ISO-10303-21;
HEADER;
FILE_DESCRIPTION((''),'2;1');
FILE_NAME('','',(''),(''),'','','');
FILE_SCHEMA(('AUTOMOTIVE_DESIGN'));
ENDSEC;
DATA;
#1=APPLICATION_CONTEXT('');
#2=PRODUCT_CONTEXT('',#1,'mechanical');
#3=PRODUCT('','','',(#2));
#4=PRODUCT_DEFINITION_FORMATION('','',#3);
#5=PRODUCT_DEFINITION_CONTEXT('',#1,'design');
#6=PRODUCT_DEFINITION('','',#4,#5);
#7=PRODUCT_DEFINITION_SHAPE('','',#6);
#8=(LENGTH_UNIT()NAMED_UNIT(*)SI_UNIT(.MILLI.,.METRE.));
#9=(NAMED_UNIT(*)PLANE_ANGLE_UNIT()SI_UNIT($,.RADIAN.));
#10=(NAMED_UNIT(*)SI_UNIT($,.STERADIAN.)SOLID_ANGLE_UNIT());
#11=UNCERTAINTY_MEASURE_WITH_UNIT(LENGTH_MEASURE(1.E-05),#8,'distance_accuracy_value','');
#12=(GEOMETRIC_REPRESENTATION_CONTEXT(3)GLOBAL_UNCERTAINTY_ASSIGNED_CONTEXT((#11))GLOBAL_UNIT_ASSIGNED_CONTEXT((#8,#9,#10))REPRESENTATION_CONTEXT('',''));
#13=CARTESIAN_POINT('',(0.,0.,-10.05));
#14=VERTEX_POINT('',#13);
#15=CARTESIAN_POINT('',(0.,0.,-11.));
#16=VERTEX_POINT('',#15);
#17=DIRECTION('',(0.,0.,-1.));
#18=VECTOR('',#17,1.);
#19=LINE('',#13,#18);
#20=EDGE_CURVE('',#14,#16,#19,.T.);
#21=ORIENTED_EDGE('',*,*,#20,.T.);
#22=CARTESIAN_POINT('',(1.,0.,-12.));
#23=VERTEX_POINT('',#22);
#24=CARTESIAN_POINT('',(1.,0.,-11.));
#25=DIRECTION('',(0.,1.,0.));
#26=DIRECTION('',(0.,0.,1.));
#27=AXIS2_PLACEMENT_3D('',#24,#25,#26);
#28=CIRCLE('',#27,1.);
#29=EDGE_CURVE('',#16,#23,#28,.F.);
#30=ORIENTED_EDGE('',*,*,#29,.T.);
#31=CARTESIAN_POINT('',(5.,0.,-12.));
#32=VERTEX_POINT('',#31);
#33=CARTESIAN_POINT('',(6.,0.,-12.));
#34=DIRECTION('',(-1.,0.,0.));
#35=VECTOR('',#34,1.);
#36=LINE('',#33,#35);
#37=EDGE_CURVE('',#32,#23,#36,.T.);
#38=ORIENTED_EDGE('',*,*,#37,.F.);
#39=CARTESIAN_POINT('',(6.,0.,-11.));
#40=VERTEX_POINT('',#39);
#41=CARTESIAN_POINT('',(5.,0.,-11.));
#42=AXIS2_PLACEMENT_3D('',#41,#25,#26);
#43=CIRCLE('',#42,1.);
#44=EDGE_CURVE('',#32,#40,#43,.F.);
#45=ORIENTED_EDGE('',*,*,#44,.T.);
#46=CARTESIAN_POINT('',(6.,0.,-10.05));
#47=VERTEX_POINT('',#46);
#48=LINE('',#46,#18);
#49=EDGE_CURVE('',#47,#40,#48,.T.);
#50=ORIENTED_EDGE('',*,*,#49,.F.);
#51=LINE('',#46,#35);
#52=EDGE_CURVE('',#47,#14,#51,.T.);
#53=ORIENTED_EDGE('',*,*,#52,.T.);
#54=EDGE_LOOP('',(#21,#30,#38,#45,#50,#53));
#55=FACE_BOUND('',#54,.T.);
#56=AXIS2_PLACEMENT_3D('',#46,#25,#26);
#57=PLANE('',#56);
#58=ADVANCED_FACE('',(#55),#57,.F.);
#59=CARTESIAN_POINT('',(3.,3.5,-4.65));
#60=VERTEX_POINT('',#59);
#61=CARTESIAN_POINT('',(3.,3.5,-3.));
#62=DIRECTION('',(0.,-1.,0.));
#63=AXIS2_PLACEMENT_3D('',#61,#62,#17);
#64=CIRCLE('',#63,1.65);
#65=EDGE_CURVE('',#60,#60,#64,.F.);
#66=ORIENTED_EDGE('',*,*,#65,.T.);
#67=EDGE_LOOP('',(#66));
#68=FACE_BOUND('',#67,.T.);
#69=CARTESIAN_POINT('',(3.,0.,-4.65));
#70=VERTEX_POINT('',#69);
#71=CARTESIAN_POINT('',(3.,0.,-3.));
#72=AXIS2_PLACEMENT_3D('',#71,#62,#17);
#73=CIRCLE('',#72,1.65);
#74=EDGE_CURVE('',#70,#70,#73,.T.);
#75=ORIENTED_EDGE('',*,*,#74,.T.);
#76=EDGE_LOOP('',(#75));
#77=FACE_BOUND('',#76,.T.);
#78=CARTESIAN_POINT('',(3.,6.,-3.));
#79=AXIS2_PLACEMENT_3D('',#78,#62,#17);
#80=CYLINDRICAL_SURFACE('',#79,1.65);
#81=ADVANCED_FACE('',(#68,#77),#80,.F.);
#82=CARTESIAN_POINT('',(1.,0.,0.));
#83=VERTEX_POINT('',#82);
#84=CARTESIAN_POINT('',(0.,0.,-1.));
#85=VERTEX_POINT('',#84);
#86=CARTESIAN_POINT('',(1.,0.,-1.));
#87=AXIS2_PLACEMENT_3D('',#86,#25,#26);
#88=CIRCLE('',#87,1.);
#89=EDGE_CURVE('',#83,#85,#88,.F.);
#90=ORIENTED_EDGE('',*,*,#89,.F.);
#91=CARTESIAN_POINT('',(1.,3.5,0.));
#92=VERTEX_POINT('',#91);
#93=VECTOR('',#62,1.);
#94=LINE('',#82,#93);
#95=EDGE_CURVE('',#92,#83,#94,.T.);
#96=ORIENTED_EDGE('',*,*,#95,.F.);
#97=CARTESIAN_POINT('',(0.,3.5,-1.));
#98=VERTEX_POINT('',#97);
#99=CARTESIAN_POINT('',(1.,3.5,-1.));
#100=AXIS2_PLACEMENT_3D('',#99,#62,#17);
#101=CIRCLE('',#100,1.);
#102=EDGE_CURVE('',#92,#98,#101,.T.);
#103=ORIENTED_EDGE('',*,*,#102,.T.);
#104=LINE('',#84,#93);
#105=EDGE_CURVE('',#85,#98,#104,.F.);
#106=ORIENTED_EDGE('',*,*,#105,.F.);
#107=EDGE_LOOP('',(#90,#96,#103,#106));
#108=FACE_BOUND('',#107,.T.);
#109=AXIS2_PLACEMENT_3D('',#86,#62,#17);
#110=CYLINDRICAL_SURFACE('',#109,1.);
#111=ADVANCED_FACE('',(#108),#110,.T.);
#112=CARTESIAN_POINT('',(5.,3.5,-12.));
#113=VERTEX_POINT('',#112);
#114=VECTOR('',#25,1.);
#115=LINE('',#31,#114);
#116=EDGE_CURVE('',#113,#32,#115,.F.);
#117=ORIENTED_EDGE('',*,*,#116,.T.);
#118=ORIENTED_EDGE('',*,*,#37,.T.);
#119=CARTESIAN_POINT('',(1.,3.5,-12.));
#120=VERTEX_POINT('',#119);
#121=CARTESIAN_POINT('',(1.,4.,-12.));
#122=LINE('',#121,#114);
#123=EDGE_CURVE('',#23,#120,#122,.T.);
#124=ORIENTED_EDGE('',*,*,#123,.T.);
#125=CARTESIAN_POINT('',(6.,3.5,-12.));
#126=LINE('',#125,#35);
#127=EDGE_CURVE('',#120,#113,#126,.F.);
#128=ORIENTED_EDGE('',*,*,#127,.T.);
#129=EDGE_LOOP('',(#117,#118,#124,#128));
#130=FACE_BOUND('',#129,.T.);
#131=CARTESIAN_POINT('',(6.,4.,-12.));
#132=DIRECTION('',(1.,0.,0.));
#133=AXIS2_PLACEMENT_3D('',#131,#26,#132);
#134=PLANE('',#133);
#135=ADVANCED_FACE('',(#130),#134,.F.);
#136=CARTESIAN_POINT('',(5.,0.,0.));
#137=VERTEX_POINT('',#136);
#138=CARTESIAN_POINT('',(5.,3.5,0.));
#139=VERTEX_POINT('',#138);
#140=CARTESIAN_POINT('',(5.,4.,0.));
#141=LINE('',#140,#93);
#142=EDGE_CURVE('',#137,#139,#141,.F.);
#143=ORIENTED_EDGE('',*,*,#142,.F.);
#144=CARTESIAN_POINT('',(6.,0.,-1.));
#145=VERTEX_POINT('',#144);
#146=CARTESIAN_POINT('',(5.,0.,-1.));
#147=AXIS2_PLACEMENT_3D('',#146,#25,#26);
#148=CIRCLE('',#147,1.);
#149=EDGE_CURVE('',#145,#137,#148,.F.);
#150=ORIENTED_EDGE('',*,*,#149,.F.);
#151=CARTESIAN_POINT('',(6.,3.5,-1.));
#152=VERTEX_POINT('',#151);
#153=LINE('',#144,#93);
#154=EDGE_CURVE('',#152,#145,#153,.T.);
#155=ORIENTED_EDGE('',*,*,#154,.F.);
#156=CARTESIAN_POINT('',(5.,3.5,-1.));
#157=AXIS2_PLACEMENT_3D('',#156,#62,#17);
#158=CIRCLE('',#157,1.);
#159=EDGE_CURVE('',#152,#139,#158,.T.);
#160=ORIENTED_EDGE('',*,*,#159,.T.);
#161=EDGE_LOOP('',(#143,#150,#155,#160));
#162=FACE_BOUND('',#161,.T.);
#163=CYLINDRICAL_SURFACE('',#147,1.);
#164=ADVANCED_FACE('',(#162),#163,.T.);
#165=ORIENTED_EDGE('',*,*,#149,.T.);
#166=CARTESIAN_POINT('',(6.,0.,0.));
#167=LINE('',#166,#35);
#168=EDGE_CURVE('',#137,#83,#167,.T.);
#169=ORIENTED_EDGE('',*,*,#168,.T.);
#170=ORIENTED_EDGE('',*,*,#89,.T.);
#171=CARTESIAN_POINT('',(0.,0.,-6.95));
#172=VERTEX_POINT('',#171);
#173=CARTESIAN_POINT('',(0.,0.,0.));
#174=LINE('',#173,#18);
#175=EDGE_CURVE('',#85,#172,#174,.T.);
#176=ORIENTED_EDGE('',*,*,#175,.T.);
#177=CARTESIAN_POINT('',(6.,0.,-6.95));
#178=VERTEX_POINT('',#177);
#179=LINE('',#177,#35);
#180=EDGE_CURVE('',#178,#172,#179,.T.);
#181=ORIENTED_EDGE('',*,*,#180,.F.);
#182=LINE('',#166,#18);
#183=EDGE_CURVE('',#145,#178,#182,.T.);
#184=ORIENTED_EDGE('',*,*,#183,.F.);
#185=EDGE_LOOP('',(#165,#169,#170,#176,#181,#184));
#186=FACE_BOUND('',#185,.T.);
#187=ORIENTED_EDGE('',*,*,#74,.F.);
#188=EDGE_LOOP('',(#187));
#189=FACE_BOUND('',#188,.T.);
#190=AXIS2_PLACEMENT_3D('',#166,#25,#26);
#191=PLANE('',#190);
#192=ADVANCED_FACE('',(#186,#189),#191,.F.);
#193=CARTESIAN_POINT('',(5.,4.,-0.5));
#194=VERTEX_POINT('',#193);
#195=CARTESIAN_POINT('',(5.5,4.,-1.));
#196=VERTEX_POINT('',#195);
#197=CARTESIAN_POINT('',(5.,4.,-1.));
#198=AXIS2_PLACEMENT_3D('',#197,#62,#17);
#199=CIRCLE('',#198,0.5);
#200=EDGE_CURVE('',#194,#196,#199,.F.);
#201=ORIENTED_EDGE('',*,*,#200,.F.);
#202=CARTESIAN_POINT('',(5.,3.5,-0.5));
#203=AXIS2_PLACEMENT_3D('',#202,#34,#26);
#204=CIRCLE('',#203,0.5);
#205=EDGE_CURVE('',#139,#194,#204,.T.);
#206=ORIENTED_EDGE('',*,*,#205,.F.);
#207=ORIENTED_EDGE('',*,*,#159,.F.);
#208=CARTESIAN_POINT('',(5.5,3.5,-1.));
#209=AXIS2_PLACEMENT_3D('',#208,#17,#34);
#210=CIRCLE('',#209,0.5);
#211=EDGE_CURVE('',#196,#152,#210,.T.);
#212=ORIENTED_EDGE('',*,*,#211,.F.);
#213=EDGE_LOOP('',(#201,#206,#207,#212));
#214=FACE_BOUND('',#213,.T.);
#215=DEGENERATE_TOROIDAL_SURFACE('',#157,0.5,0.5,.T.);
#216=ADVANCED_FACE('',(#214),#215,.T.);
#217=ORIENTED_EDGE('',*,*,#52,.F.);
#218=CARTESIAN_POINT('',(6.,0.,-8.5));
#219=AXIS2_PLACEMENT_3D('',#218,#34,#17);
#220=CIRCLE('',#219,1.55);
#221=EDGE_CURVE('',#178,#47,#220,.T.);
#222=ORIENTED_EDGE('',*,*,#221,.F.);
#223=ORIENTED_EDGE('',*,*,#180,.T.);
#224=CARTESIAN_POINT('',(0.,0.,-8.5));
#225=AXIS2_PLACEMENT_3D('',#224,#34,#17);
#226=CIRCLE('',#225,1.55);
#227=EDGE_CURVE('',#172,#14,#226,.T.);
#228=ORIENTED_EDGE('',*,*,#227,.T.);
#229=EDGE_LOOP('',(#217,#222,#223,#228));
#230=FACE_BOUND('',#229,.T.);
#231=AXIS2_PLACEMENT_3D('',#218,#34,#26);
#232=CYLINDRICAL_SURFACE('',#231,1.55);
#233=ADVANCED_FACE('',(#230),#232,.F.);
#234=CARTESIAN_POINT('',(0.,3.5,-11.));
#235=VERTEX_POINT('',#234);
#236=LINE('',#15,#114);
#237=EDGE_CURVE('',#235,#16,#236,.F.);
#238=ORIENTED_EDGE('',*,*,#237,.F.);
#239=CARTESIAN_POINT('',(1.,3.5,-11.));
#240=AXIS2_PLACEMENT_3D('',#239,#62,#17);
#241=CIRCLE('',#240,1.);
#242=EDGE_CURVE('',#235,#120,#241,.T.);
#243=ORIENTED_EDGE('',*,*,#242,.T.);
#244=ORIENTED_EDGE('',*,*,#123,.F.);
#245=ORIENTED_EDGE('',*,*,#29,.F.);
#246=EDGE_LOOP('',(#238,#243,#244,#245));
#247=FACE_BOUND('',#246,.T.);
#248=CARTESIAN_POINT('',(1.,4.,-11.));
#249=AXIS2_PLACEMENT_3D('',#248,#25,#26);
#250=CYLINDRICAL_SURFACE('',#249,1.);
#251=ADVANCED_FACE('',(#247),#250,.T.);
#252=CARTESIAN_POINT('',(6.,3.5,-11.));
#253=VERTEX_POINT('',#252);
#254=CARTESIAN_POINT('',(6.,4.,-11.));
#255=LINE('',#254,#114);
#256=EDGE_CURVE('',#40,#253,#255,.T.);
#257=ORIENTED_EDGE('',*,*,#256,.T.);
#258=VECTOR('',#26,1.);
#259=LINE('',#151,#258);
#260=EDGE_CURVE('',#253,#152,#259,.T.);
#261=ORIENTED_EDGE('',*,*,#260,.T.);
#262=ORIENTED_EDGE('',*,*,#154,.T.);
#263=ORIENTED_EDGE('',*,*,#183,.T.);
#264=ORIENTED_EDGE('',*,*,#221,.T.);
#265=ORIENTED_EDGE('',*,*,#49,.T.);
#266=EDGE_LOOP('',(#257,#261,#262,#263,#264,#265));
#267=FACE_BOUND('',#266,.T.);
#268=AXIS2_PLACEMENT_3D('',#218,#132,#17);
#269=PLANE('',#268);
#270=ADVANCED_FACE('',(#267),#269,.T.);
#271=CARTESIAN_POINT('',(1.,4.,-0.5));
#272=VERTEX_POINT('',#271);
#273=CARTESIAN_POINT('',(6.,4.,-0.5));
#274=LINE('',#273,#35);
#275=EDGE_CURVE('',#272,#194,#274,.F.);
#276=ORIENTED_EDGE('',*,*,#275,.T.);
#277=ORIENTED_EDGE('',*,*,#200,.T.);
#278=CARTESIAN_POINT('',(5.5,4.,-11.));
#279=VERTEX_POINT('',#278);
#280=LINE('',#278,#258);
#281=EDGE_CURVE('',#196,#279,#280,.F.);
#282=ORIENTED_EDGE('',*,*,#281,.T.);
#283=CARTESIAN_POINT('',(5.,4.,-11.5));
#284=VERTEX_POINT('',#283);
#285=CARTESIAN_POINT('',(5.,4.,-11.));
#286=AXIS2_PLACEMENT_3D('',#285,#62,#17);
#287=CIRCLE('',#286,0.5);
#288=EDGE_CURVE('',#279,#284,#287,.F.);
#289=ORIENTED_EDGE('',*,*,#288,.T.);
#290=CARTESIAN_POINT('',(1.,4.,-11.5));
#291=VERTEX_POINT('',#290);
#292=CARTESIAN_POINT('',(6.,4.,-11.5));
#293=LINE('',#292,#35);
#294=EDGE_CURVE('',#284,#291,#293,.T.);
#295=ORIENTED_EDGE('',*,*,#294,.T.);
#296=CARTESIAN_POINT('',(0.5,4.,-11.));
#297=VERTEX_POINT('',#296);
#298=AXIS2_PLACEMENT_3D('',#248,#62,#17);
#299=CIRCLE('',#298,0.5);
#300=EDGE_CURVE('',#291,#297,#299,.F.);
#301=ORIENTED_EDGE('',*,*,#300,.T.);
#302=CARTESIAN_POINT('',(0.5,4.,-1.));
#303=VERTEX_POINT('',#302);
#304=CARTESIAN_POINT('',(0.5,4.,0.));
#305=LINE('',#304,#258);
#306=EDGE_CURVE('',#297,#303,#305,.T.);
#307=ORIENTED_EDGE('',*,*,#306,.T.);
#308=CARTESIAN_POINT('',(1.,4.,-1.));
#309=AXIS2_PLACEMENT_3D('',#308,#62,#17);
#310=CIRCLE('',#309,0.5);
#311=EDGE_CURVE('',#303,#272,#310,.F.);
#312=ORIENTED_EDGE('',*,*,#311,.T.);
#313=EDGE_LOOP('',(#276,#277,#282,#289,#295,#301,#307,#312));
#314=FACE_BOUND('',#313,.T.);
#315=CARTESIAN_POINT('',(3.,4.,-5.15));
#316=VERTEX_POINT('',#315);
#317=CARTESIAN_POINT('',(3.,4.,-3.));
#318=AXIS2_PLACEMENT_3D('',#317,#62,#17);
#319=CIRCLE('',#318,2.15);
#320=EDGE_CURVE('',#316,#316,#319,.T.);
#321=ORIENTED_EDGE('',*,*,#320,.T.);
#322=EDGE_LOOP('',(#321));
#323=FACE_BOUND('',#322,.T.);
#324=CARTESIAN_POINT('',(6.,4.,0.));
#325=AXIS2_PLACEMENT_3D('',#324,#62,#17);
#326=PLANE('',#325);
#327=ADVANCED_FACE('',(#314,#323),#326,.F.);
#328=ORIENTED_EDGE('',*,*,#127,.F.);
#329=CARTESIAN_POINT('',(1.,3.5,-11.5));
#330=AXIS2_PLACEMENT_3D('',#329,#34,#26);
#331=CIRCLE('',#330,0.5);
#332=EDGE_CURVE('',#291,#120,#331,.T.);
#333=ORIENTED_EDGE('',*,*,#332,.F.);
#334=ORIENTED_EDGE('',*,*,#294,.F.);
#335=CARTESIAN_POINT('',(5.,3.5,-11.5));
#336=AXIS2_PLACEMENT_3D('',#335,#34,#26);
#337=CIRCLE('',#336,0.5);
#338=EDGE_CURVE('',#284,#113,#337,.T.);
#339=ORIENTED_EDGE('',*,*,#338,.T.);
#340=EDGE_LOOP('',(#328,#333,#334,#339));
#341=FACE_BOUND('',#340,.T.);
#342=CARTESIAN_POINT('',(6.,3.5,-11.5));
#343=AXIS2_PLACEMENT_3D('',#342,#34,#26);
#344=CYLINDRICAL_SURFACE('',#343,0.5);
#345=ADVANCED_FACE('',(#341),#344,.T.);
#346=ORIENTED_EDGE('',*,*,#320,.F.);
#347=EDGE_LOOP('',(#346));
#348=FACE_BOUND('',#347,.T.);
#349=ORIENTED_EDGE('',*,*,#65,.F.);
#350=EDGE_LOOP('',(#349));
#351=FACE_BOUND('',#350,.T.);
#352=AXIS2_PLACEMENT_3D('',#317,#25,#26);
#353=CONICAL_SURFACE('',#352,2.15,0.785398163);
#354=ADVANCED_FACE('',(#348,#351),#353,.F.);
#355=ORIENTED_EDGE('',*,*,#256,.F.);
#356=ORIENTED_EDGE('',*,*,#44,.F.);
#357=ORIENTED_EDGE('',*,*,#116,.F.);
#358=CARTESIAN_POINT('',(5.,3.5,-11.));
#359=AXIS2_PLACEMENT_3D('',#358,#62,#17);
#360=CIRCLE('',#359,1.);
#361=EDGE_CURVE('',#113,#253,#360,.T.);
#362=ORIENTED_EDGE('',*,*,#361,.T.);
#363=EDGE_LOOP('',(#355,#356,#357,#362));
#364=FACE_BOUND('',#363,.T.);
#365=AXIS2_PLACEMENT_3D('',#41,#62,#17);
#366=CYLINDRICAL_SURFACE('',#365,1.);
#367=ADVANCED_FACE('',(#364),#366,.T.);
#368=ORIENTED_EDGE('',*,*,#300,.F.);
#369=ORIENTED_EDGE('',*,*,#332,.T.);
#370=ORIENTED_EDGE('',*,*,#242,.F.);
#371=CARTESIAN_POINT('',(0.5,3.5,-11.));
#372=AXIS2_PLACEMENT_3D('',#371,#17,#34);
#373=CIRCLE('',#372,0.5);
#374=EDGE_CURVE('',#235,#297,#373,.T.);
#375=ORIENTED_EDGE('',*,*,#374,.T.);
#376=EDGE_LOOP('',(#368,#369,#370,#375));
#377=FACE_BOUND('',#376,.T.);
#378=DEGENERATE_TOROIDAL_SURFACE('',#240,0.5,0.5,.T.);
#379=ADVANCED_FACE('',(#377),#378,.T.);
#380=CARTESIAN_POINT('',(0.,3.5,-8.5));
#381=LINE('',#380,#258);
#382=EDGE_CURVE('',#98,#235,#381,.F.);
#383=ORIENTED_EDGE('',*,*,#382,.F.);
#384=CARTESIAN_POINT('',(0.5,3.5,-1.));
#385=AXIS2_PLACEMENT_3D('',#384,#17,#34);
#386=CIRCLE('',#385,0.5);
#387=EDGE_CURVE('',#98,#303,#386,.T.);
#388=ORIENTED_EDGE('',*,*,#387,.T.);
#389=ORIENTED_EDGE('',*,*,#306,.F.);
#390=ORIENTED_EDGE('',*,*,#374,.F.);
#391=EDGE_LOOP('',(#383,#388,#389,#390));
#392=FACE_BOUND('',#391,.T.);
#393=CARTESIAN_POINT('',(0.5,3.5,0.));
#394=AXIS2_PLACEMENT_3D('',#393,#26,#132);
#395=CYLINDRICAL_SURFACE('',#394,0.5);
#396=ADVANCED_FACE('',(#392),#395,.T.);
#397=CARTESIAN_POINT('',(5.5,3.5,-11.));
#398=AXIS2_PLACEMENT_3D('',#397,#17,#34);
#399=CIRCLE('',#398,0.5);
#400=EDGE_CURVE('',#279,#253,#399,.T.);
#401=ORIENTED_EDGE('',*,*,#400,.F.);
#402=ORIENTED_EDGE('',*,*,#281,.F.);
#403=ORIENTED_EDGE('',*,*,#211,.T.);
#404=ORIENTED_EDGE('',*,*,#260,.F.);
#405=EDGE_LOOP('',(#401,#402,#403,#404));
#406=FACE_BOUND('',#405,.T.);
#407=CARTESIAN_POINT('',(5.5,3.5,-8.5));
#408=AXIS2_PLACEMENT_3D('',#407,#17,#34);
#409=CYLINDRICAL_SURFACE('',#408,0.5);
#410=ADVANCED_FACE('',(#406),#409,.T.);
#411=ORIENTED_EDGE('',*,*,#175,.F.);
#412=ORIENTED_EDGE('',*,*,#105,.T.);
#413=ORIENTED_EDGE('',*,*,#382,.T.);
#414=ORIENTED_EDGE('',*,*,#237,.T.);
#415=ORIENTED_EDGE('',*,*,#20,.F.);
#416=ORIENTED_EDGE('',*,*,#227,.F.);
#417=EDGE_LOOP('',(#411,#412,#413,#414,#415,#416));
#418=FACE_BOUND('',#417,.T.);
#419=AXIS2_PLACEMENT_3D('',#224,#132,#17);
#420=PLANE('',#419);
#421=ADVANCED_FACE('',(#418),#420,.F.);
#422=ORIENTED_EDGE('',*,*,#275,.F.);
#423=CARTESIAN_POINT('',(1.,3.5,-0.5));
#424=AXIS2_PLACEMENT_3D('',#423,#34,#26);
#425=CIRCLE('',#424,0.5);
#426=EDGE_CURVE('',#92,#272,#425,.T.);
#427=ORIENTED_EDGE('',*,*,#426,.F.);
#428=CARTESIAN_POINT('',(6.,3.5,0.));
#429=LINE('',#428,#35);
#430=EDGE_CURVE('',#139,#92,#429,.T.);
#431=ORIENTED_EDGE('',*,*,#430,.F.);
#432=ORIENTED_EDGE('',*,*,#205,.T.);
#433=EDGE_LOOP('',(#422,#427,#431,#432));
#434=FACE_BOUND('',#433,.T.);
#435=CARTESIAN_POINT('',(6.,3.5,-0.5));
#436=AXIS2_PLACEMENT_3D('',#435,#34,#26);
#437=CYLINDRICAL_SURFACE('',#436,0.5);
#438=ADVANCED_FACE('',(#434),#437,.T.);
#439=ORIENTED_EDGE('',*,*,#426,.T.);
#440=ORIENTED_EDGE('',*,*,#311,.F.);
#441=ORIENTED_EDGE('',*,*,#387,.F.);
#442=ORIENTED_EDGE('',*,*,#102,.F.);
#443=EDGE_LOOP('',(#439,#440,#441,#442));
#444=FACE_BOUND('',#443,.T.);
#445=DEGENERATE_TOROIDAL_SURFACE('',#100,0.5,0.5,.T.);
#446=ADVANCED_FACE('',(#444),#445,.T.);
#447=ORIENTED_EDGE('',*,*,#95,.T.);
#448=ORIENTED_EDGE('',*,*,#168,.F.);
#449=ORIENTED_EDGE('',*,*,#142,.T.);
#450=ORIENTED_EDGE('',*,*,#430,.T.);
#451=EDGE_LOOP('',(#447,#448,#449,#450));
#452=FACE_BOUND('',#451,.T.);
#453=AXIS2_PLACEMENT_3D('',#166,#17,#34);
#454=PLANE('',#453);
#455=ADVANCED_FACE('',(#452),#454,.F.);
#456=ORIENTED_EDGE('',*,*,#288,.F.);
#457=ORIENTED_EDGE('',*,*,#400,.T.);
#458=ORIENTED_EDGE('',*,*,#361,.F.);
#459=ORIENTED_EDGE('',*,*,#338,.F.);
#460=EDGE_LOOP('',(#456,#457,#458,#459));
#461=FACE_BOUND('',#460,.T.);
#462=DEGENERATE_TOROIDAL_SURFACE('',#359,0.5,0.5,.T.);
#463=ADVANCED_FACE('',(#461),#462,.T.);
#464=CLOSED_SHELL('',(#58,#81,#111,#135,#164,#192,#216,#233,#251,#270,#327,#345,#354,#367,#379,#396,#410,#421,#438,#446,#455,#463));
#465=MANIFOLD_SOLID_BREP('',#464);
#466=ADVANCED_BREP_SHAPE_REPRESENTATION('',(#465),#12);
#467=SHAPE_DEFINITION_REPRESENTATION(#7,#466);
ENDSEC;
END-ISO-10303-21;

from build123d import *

# Parameters (mm, degrees)
EXTRUDE_1_DEPTH     = 6
SKETCH_2_R          = 1.65
CUT_EXTRUDE_1_DEPTH = 6
FILLET_1_R          = 1
CHAMFER_1_SIZE      = 0.5
FILLET_2_R          = 0.5


with BuildPart() as part:
    # 草圖1 → 填料-伸長1 (new body)
    with BuildSketch(Plane(origin=(0, 0, 0), x_dir=(0, 0, -1), z_dir=(1, 0, 0))):
        with BuildLine():
            Line((0, 0), (6.95, 0))
            ThreePointArc((6.95, 0), (8.5, 1.55), (10.05, 0))
            Line((10.05, 0), (12, 0))
            Line((12, 0), (12, 4))
            Line((12, 4), (0, 4))
            Line((0, 4), (0, 0))
        make_face()
    extrude(amount=EXTRUDE_1_DEPTH)

    # 草圖2 → 除料-伸長1 (cut)
    with BuildSketch(Plane(origin=(0, 0, 0), x_dir=(-1, 0, 0), z_dir=(0, -1, 0))):
        with Locations(Location((-3, 3, 0), (0, 0, 90))):
            Circle(SKETCH_2_R)
    extrude(amount=-CUT_EXTRUDE_1_DEPTH, mode=Mode.SUBTRACT)

    # 圓角1
    fillet_1_edges = [part.edges().sort_by_distance(p)[0] for p in [
        (6, 2, -12),
        (6, 2, 0),
        (0, 2, -12),
        (0, 2, 0),
    ]]
    fillet(fillet_1_edges, radius=FILLET_1_R)

    # 導角1
    chamfer_1_edges = [part.edges().sort_by_distance(p)[0] for p in [
        (3, 4, -1.35),
    ]]
    chamfer(chamfer_1_edges, length=CHAMFER_1_SIZE)

    # 圓角2
    fillet_2_edges = [part.edges().sort_by_distance(p)[0] for p in [
        (6, 4, -6),
        (0, 4, -6),
        (3, 4, 0),
        (3, 4, -12),
        (0.292893219, 4, -0.292893219),
        (5.707106781, 4, -0.292893219),
        (0.292893219, 4, -11.707106781),
        (5.707106781, 4, -11.707106781),
    ]]
    fillet(fillet_2_edges, radius=FILLET_2_R)


solid = part.part
